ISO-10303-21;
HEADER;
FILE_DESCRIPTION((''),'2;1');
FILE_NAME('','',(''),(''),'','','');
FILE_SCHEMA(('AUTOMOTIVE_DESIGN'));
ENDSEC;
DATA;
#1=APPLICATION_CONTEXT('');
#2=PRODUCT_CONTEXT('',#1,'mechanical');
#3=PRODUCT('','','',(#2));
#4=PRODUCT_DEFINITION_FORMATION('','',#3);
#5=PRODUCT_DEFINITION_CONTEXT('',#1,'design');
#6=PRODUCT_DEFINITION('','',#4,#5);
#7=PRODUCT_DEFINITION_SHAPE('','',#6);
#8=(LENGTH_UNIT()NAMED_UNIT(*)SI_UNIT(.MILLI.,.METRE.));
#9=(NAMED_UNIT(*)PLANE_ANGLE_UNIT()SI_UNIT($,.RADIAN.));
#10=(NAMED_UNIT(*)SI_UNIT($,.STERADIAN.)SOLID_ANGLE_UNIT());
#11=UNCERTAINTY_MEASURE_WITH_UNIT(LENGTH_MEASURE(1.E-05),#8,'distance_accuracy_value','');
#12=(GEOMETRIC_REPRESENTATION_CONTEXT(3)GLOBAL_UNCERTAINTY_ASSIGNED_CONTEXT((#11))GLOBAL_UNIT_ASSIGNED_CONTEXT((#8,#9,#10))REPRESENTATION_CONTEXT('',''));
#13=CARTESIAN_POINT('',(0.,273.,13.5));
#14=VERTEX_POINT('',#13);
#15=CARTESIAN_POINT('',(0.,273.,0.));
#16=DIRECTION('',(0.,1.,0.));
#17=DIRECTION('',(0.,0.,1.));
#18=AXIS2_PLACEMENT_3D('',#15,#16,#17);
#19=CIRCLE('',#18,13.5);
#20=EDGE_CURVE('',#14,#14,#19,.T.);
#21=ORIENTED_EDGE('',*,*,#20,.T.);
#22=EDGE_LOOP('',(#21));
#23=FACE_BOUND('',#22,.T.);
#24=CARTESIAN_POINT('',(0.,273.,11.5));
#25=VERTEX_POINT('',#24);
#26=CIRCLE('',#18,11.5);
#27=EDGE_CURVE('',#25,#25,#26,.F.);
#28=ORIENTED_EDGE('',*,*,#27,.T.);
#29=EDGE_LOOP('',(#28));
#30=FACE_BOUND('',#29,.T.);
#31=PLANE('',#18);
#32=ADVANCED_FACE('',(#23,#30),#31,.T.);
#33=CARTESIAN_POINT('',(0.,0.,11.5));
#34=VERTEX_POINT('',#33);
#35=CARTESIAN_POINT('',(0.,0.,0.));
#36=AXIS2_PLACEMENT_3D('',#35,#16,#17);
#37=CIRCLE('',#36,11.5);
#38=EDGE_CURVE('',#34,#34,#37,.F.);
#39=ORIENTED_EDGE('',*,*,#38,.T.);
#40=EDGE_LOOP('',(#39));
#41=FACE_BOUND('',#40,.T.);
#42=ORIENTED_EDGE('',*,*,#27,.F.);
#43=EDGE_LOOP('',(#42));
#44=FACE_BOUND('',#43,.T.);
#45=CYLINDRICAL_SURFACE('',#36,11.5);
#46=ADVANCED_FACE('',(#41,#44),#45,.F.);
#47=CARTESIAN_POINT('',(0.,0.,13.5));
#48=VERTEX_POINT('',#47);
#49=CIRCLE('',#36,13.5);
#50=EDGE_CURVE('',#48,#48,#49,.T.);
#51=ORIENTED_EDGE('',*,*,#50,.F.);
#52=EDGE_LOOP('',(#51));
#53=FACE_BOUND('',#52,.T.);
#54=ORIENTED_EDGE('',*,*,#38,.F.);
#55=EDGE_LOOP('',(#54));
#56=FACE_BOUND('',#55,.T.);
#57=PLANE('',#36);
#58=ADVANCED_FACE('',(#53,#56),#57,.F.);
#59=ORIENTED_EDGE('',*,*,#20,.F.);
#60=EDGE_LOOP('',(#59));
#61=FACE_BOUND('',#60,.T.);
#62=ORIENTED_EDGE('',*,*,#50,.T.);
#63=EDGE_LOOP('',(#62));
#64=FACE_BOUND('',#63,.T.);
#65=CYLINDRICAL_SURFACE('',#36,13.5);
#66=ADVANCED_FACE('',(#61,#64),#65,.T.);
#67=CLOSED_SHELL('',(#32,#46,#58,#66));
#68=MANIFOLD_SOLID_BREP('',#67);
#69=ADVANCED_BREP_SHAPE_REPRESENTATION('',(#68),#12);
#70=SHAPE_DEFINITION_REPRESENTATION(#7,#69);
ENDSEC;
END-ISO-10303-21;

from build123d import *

# Parameters (mm, degrees)
SKETCH5_R   = 13.5
SKETCH5_R_2 = 11.5


with BuildPart() as part:
    # Sweep2: sweep along a path in Sketch4
    with BuildLine(Plane(origin=(0, 0, 0), x_dir=(0, 0, -1), z_dir=(1, 0, 0))) as sweep2_path:
        Line((0, 0), (0, 273))
    # Sketch5 → Sweep2 (sweep)
    with BuildSketch(Plane(origin=(0, 0, 0), x_dir=(1, 0, 0), z_dir=(0, 1, 0))):
        Circle(SKETCH5_R)
        Circle(SKETCH5_R_2, mode=Mode.SUBTRACT)
    sweep(path=sweep2_path.line)


solid = part.part
